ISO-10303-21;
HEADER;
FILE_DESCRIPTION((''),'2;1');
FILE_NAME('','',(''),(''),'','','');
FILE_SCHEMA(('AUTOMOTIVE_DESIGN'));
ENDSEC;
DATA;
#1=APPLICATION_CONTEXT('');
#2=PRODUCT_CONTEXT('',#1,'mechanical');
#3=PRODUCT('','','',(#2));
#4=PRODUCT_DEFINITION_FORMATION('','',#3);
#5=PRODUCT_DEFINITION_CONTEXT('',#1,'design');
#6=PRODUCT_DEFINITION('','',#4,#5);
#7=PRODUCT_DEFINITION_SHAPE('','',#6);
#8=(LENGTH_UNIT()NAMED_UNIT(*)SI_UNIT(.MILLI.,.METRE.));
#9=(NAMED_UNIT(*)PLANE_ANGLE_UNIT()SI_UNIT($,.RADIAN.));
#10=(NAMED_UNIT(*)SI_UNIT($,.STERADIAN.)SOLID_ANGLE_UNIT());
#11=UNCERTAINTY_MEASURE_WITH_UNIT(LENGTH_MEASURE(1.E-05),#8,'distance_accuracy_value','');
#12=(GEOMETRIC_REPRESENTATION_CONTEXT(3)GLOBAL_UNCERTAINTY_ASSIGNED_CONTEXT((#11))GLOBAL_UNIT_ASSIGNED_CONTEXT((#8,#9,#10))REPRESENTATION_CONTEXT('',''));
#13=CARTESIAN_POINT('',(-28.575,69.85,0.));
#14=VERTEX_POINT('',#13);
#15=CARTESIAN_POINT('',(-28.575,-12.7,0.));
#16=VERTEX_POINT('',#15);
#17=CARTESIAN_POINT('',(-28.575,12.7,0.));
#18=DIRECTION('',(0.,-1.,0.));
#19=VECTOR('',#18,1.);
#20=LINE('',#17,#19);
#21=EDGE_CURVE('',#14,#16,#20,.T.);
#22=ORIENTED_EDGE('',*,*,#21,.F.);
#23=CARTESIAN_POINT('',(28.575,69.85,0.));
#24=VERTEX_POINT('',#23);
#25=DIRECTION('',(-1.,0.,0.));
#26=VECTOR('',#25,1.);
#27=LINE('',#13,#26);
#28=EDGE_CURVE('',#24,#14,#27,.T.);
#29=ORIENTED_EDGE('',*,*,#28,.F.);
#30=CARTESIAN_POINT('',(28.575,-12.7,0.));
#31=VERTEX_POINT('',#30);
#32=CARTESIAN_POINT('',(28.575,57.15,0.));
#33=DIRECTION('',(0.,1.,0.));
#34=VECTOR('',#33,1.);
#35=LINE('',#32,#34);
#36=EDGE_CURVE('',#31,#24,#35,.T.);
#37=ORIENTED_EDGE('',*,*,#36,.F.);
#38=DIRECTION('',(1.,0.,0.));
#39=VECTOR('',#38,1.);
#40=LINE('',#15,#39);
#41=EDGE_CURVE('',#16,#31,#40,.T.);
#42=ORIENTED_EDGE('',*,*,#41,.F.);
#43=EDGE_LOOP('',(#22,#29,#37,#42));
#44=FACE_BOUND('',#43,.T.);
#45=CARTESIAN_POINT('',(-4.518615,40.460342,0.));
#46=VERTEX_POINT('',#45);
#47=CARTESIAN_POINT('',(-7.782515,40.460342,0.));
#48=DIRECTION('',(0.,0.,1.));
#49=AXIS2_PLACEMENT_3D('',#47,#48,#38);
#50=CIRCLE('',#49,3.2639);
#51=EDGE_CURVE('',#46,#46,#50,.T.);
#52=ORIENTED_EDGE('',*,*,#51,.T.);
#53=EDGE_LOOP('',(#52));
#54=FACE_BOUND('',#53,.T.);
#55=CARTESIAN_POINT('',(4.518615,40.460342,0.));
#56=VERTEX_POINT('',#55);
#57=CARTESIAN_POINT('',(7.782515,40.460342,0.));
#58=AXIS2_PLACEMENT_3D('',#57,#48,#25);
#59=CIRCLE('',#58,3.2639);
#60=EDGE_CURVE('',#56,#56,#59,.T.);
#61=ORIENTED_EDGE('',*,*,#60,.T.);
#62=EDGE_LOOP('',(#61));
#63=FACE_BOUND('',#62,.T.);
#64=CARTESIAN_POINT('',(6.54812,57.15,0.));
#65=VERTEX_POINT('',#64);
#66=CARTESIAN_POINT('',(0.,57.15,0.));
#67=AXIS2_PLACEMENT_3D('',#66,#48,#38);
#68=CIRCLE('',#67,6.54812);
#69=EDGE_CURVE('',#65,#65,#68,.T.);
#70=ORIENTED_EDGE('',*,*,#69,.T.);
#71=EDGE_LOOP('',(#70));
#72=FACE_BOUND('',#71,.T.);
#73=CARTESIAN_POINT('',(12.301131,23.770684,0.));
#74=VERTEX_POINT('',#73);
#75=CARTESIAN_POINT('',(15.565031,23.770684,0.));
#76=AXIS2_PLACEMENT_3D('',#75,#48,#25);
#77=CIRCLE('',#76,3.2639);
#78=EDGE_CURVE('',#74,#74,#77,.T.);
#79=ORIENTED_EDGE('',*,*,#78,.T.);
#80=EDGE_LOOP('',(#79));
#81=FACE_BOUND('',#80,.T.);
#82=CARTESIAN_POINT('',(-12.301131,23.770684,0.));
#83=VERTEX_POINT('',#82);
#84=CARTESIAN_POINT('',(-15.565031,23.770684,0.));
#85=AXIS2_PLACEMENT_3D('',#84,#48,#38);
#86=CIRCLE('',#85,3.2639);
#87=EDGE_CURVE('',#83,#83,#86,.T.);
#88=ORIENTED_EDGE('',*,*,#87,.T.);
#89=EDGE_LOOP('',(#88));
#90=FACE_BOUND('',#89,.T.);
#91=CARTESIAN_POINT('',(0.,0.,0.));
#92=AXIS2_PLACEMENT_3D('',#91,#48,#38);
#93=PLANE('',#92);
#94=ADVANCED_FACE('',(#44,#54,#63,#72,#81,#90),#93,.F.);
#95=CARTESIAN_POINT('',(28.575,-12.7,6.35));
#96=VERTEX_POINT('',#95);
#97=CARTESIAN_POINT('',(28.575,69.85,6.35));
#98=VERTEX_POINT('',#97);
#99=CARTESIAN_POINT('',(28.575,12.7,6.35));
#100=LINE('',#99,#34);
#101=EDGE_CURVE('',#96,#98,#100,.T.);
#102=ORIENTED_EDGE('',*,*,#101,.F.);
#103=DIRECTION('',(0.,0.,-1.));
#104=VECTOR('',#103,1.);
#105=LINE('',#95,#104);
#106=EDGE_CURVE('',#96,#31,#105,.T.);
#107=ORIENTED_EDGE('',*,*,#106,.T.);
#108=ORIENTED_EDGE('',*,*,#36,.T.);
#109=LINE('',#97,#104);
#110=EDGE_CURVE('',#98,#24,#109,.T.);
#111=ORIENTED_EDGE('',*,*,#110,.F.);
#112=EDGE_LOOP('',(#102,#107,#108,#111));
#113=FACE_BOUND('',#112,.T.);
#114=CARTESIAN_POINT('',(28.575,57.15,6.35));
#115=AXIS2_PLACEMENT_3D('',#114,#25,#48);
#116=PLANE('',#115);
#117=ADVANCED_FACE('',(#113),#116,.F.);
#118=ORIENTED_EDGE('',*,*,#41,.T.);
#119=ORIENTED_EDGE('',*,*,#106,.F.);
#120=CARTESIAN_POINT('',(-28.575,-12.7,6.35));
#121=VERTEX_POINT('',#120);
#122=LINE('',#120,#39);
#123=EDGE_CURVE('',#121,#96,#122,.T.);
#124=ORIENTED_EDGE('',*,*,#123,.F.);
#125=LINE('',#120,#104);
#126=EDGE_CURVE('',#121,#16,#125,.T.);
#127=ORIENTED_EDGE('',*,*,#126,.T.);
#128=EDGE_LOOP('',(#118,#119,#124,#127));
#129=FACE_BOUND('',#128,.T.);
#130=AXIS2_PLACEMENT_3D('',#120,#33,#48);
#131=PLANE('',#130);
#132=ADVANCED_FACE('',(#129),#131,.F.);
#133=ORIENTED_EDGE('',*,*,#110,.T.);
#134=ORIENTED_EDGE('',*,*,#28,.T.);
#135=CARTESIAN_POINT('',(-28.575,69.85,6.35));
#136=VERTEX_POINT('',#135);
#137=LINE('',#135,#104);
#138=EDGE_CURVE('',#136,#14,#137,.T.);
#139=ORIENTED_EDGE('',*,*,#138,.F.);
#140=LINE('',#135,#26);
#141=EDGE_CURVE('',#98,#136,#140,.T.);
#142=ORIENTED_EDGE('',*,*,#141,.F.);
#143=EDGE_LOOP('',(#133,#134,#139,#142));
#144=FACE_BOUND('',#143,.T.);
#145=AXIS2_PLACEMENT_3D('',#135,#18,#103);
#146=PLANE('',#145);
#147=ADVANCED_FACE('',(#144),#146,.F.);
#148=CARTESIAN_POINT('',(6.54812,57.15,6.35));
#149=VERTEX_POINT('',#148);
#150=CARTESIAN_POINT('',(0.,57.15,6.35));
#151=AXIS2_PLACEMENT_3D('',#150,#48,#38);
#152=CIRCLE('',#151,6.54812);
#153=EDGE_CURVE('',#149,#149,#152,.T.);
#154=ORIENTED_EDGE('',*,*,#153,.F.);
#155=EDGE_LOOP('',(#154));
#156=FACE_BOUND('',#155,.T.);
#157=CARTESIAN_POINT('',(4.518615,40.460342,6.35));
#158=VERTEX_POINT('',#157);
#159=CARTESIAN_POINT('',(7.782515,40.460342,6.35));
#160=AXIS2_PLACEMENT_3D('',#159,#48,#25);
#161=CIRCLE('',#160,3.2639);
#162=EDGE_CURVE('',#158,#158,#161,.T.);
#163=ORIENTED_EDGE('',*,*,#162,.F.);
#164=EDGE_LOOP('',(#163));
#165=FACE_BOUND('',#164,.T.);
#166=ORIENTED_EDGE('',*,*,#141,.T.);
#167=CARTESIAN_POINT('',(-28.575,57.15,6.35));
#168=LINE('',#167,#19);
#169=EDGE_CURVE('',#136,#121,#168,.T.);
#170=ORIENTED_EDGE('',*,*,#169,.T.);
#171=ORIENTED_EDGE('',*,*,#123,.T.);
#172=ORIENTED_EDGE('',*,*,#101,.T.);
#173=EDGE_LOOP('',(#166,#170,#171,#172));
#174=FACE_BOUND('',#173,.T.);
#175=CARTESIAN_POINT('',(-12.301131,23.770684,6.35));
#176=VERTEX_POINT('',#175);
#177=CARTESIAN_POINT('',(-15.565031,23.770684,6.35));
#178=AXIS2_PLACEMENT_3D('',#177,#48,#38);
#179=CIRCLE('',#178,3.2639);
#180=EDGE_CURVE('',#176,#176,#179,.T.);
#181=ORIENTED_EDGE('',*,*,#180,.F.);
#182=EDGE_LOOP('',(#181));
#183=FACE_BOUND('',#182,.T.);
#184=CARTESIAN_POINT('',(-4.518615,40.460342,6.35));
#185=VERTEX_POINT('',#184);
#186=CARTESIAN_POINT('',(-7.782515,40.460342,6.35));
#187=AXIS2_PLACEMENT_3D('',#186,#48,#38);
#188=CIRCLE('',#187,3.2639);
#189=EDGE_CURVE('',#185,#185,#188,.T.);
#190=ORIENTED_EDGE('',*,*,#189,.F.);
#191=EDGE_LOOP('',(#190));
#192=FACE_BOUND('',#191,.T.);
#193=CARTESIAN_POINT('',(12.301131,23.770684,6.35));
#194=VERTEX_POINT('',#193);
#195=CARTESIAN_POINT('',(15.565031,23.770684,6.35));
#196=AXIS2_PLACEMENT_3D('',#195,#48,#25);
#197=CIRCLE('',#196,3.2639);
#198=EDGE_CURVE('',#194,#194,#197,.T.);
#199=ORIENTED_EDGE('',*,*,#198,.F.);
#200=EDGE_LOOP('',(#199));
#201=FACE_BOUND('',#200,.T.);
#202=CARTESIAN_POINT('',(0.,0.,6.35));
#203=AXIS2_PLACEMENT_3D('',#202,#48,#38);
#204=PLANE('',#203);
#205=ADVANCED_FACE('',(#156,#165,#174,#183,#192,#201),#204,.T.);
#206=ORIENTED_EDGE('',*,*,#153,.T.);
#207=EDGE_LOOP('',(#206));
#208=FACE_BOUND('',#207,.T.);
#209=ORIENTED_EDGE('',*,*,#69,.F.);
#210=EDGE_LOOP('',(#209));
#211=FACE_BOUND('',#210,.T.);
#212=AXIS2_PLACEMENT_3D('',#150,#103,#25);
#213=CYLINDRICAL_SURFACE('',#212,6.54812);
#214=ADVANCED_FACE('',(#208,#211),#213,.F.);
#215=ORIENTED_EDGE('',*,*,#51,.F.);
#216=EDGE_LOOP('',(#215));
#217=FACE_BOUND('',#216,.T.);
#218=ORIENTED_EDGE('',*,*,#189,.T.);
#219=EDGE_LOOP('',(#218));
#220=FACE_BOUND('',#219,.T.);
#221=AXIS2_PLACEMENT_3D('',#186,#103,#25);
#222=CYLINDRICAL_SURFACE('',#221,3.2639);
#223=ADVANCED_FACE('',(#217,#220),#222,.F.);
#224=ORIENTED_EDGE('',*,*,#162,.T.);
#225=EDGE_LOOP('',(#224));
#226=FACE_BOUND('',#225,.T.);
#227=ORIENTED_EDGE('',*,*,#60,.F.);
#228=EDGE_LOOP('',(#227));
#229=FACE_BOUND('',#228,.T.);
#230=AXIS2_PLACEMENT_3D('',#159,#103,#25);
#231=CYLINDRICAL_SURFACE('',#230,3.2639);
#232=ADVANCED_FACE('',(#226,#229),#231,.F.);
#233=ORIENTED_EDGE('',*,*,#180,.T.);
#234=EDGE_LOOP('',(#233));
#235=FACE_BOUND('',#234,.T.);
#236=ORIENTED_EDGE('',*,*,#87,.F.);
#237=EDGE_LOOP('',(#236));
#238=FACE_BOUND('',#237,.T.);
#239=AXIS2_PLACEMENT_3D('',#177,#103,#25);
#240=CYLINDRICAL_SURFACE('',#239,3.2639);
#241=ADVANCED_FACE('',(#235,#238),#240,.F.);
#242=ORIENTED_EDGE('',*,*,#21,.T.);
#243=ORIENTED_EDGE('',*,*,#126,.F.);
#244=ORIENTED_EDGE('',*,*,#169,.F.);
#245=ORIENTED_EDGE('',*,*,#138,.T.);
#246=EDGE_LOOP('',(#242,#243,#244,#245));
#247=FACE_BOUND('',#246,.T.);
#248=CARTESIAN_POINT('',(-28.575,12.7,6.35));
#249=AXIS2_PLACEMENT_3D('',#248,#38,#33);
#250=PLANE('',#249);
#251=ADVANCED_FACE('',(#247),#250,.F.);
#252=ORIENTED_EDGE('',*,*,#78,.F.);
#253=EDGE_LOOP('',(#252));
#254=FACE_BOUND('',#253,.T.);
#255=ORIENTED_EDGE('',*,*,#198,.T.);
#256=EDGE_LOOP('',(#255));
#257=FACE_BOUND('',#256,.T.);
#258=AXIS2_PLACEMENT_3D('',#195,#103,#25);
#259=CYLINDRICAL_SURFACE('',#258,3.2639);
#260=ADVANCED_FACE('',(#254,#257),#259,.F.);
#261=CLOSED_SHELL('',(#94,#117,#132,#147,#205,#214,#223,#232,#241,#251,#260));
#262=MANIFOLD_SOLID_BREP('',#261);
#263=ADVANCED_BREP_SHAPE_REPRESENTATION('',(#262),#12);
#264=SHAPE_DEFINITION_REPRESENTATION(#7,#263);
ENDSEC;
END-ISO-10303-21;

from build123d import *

# Parameters (mm, degrees)
SKETCH1_R           = 6.54812
SKETCH1_R_2         = 3.2639
BOSS_EXTRUDE1_DEPTH = 6.35


with BuildPart() as part:
    # Sketch1 → Boss-Extrude1 (new body)
    with BuildSketch(Plane.XY):
        Polygon((-28.575, 12.7), (-28.575, -12.7), (28.575, -12.7), (28.575, 12.7), (28.575, 57.15), (28.575, 69.85), (-28.575, 69.85), (-28.575, 57.15), align=None)
        with Locations((0, 57.15)):
            Circle(SKETCH1_R, mode=Mode.SUBTRACT)
        with Locations((-7.78251529, 40.460342102)):
            Circle(SKETCH1_R_2, mode=Mode.SUBTRACT)
        with Locations((-15.56503058, 23.770684203)):
            Circle(SKETCH1_R_2, mode=Mode.SUBTRACT)
        with Locations((7.78251529, 40.460342102)):
            Circle(SKETCH1_R_2, mode=Mode.SUBTRACT)
        with Locations((15.56503058, 23.770684203)):
            Circle(SKETCH1_R_2, mode=Mode.SUBTRACT)
    extrude(amount=BOSS_EXTRUDE1_DEPTH)


solid = part.part
